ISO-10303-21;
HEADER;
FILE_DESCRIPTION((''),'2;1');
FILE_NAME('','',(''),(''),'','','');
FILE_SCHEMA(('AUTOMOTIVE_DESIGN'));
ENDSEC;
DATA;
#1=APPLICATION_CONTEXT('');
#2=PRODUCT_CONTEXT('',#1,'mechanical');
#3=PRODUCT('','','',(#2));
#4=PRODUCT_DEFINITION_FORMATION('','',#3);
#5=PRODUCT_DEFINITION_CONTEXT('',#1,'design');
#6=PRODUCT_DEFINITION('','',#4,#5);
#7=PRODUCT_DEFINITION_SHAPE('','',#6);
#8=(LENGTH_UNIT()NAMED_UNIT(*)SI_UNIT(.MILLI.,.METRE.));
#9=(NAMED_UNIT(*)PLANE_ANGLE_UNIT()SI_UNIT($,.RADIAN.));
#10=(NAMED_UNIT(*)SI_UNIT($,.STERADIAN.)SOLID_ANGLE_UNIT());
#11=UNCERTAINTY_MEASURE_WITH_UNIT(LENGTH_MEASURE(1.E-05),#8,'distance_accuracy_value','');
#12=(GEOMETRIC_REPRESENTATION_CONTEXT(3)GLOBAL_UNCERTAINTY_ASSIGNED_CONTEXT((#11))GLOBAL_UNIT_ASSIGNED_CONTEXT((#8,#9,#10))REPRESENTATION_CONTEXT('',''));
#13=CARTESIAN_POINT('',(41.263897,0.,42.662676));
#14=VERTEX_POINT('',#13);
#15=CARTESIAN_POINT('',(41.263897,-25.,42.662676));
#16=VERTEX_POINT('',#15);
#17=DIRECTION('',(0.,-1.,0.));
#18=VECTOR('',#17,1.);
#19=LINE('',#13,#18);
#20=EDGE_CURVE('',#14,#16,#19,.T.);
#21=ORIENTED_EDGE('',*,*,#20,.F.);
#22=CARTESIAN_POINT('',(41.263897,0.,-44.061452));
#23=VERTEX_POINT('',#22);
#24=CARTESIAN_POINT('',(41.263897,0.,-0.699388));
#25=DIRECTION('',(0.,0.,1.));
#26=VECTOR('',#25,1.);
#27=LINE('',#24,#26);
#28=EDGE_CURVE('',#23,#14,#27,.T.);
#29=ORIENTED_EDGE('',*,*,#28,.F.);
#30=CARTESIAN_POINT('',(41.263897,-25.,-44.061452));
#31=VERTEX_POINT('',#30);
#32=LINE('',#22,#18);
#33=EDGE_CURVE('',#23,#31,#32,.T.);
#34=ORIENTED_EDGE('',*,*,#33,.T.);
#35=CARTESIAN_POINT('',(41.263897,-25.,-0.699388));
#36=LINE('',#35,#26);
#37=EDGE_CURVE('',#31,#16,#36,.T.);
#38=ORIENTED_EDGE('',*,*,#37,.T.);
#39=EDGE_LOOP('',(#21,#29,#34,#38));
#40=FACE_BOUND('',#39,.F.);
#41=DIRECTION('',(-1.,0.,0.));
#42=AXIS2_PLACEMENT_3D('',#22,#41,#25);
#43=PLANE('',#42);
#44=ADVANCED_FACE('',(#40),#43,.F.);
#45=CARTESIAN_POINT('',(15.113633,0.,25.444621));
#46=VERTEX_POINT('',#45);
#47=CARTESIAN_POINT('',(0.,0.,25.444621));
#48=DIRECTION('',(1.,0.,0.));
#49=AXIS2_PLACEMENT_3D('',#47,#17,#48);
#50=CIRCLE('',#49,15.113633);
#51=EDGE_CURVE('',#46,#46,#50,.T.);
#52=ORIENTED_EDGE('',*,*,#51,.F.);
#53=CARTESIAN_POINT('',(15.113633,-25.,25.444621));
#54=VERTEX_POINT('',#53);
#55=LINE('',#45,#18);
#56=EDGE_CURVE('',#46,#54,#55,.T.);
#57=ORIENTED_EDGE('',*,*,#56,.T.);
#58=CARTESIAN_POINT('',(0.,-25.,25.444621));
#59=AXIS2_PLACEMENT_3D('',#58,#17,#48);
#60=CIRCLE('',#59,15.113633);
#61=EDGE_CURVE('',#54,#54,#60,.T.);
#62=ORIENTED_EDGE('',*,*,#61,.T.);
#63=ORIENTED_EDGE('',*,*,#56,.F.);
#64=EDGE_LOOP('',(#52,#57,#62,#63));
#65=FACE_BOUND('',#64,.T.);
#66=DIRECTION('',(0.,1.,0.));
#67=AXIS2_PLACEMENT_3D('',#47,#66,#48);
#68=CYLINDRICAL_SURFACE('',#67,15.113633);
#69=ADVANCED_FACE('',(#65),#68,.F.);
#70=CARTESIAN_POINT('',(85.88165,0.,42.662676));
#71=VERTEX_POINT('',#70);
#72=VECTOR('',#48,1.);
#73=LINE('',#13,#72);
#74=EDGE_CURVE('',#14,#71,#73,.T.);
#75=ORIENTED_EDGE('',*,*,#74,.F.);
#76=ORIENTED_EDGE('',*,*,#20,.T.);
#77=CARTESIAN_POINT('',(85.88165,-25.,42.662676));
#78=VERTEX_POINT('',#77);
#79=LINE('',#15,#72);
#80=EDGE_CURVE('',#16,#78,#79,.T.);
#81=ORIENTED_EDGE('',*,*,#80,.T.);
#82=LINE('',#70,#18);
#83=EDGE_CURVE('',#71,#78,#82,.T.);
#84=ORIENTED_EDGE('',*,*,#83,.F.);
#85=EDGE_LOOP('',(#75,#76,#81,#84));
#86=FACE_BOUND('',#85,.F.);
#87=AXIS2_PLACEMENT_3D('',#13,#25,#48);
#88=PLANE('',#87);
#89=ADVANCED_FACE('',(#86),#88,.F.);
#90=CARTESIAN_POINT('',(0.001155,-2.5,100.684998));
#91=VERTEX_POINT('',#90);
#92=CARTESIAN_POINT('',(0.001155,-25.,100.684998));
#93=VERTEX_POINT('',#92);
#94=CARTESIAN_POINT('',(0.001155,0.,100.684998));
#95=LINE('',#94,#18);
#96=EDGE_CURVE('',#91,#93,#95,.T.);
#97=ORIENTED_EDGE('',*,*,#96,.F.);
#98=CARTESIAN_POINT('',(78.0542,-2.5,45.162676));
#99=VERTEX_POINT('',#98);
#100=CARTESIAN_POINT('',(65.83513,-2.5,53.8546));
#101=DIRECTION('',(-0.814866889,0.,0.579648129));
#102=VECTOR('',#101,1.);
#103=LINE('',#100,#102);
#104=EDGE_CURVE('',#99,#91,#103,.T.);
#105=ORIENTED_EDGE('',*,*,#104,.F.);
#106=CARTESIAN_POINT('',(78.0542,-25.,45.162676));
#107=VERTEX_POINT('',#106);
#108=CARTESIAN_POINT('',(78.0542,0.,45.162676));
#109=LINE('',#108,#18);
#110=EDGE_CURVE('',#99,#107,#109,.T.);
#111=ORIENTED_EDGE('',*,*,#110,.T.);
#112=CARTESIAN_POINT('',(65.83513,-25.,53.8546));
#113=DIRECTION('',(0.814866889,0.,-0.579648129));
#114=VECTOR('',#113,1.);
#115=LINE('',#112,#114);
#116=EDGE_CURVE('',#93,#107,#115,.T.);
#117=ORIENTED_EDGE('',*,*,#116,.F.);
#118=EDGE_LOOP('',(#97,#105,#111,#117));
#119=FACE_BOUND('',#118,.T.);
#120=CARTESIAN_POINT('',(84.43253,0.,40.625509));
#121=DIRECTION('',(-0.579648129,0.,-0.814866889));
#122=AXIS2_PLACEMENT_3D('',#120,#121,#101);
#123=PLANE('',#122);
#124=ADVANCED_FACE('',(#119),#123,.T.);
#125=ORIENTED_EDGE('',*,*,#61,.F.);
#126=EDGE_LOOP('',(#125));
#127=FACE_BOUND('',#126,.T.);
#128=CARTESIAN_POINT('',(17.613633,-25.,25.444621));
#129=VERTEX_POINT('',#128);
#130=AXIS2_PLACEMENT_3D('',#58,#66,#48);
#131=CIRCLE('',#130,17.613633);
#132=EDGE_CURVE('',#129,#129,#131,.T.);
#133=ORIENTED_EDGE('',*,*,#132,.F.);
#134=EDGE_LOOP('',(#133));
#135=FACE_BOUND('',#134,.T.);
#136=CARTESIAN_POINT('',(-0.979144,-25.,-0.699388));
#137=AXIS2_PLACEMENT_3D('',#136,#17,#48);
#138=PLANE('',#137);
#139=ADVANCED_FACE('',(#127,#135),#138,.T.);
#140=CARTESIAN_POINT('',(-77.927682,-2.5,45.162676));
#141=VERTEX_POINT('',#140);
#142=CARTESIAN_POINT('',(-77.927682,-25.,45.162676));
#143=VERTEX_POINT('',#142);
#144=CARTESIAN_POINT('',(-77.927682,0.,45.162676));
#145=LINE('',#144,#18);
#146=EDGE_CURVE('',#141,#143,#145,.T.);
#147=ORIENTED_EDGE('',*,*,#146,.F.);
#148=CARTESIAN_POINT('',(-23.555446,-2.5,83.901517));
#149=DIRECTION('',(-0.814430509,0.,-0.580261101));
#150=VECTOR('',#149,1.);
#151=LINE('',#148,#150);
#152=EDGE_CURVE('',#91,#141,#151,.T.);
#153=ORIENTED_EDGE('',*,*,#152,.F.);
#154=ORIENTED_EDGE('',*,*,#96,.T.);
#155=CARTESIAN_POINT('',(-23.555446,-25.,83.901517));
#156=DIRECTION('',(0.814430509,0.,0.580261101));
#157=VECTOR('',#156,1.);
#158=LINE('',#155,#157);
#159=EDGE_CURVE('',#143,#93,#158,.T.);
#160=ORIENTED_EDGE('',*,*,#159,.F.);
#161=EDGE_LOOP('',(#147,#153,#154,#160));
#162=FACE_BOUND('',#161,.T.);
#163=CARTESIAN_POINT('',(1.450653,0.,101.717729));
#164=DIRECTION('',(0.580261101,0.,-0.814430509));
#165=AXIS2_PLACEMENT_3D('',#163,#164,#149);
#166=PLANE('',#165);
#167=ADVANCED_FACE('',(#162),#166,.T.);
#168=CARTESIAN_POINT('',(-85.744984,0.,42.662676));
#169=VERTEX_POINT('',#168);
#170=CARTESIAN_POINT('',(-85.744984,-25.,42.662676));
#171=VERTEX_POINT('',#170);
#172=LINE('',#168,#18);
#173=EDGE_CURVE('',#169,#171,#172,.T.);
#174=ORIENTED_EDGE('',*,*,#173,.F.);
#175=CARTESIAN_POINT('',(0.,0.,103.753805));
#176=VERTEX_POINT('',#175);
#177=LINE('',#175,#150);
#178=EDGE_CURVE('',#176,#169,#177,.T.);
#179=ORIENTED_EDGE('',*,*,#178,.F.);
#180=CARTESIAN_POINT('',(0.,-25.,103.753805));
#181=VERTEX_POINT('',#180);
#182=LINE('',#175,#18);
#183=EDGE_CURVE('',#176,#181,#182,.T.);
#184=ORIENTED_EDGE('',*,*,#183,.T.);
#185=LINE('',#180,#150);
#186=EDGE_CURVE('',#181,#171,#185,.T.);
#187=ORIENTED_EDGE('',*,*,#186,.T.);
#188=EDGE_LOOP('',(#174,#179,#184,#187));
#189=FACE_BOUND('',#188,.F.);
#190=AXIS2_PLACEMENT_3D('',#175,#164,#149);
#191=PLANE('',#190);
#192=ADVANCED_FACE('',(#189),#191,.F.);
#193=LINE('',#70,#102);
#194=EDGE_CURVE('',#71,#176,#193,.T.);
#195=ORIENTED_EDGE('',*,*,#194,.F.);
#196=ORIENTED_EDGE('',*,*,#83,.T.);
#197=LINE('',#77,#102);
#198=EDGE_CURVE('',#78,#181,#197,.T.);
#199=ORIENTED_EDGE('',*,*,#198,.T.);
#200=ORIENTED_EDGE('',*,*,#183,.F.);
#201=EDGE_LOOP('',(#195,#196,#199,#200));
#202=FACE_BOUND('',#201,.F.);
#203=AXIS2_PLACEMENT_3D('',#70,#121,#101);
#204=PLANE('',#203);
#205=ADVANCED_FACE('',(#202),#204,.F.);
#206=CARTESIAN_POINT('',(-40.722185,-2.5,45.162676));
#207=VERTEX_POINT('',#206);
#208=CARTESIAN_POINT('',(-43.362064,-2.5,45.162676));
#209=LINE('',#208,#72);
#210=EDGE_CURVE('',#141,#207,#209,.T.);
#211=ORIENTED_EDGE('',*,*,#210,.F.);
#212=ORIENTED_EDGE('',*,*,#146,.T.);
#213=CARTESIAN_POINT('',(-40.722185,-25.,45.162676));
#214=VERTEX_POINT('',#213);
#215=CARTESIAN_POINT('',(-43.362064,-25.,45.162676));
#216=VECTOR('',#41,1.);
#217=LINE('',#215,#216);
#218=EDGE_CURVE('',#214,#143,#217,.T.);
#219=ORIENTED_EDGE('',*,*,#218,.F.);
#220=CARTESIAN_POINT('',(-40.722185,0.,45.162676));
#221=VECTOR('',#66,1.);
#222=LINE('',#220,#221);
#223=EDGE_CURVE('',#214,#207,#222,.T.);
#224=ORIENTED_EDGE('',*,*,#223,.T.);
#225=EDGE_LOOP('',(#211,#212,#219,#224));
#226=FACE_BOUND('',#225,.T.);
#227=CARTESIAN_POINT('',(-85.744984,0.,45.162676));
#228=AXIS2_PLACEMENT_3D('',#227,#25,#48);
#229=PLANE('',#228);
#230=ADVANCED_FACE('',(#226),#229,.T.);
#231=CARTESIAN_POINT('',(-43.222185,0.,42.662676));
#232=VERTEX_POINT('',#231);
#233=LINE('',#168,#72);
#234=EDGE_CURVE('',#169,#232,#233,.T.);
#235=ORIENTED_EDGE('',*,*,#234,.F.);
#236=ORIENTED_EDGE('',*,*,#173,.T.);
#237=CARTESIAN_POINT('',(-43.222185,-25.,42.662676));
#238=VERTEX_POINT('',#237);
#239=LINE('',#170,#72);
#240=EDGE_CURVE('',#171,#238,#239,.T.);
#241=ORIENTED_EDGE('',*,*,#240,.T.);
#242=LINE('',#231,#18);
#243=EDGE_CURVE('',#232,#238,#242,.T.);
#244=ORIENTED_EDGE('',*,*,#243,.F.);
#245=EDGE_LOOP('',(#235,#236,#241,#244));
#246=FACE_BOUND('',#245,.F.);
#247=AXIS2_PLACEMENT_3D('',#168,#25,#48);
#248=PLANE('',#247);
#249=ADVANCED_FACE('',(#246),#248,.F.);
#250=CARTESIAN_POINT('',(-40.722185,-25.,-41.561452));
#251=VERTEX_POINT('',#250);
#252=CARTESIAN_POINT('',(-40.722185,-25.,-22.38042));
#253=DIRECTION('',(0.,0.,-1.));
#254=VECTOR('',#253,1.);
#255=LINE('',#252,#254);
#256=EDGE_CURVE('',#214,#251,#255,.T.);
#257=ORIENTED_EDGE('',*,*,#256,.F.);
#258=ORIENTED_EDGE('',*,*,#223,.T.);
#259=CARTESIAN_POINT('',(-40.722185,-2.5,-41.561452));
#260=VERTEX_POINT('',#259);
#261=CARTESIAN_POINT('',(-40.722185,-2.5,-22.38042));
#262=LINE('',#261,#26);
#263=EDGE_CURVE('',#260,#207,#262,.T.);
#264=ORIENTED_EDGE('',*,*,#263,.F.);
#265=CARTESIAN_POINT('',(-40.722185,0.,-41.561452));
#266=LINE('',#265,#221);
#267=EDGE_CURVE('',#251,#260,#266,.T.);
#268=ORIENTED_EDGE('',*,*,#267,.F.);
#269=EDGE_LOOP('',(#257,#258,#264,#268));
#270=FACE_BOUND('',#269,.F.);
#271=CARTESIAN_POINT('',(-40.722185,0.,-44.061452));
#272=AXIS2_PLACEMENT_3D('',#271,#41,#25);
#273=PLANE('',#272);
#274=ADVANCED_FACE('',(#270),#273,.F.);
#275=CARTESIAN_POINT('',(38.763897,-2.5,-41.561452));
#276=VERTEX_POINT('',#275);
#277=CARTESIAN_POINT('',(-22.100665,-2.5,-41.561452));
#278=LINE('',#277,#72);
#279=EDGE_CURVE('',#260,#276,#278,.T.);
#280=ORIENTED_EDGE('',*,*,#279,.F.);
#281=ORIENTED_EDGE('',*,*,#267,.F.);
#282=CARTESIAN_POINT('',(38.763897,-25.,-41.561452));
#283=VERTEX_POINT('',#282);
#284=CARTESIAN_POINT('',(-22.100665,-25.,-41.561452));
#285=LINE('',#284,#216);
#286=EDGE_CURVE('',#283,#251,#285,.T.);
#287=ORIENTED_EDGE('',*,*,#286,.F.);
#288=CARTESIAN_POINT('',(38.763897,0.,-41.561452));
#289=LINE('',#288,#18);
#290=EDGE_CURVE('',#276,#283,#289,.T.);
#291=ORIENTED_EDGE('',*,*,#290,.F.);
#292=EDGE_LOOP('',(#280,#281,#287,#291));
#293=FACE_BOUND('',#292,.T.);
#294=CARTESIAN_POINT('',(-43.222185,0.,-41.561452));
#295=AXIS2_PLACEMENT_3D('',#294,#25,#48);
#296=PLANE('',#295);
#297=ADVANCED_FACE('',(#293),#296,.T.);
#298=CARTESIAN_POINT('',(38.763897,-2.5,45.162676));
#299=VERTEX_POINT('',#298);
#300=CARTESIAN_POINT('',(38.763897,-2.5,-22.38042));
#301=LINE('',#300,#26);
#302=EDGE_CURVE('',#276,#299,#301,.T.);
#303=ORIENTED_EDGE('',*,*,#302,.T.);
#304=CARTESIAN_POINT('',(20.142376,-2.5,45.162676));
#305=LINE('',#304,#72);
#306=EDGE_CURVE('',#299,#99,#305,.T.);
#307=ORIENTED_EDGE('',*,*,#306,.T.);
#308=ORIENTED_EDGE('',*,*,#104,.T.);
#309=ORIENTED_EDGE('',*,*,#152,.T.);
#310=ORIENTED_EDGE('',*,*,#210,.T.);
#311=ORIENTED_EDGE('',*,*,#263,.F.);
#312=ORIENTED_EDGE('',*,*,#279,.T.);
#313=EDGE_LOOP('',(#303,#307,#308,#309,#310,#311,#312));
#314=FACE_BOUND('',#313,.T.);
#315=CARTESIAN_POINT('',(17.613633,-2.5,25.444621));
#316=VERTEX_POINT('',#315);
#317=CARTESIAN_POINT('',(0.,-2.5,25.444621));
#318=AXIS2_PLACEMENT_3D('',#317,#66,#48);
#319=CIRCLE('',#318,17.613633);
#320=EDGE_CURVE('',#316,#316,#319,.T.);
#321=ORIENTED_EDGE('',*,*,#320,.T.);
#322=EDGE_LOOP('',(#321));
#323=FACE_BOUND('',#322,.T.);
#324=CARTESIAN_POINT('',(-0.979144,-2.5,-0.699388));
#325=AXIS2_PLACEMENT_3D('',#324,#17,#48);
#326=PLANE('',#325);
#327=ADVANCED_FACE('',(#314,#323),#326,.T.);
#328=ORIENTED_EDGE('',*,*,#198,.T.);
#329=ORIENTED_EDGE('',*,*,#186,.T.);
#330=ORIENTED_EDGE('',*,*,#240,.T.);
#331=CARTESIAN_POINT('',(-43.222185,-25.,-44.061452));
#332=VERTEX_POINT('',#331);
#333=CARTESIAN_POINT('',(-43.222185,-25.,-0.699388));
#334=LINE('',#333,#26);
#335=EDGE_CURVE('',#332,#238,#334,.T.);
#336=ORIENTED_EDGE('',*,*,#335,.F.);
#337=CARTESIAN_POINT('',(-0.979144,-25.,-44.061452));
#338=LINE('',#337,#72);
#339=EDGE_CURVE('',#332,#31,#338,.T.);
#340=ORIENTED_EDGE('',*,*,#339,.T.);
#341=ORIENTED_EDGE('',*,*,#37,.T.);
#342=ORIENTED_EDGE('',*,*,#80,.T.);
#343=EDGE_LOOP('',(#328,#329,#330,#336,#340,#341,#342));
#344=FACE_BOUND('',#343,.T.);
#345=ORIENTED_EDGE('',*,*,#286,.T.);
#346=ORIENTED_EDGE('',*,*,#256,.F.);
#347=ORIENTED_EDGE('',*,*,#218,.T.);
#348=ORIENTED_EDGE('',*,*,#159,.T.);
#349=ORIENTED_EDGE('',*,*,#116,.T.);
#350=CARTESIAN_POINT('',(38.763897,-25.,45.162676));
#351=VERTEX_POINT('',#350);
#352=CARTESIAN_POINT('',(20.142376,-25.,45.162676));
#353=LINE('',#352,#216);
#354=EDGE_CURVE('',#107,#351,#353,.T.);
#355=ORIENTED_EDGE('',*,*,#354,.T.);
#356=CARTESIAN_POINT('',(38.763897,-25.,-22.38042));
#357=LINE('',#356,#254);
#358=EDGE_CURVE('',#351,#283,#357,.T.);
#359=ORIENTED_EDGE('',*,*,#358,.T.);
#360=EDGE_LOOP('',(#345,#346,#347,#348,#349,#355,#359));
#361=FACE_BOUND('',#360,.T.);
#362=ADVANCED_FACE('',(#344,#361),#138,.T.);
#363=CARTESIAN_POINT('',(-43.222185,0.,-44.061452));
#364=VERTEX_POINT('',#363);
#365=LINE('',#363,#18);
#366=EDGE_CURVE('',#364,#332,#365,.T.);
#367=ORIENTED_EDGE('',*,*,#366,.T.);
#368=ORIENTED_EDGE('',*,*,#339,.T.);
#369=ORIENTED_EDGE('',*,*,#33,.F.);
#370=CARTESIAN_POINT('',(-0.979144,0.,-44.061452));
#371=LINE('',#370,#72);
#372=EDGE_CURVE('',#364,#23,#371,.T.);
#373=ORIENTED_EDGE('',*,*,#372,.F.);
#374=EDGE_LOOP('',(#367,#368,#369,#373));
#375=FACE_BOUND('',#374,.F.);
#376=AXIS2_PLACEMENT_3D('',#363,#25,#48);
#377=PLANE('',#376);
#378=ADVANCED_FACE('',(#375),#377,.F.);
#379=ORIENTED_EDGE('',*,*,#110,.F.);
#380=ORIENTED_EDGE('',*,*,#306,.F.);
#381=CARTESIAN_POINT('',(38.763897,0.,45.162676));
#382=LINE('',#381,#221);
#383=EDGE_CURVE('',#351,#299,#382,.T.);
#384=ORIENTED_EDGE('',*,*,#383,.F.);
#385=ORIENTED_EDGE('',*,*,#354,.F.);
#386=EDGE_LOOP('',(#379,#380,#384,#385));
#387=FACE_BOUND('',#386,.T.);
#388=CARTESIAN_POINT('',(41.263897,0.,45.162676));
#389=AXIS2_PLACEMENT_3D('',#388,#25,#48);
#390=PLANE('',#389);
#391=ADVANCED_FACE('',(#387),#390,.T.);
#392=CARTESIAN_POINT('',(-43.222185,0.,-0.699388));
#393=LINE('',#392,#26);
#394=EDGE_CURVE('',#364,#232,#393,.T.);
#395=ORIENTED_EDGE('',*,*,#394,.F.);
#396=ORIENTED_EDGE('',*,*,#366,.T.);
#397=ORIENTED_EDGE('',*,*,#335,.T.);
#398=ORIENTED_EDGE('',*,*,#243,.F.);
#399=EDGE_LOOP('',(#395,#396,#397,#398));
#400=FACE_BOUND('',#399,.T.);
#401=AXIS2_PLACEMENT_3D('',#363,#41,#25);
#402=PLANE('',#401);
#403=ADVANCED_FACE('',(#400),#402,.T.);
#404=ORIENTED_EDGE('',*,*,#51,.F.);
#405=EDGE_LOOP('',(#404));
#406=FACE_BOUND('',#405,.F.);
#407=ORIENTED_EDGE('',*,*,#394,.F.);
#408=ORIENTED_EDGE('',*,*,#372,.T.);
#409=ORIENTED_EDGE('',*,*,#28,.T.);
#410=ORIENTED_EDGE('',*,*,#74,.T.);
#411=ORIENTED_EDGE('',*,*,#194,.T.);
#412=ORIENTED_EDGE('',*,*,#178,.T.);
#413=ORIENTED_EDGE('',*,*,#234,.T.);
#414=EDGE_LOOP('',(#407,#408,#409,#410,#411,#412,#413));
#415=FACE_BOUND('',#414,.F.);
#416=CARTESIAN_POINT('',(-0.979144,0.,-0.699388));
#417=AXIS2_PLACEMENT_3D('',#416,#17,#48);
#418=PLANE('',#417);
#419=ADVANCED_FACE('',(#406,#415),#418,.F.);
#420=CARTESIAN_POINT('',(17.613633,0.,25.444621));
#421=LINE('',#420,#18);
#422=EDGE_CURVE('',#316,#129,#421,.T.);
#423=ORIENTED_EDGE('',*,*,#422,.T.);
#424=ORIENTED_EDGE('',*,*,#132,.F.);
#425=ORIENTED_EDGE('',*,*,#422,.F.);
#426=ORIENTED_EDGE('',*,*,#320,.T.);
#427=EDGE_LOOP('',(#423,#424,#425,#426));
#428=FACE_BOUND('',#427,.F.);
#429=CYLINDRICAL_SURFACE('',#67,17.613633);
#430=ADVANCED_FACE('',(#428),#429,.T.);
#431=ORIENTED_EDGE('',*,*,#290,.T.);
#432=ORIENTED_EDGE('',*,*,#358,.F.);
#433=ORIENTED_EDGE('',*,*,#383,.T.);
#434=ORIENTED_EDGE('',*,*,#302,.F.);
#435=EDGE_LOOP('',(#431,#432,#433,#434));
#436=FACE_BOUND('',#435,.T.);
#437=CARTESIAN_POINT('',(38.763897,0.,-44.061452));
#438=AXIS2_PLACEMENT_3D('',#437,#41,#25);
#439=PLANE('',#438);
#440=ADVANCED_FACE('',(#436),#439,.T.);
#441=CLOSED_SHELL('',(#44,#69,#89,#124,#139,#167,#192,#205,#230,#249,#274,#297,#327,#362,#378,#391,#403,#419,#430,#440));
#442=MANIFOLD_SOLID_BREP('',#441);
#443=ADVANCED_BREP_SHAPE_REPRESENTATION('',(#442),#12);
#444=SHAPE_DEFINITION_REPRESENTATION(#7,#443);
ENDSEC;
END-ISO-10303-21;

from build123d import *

# Parameters (mm, degrees)
F0_W     = 84.4860821962
F0_H     = 86.7241285741
F0_R     = 15.1136325876
F1_DEPTH = 25
F2_T     = -2.5


with BuildPart() as f1:
    # F0 (on Front) → F1 (new body)
    with BuildSketch(Plane.XZ):
        with Locations((-0.9791441262, -0.6993878633)):
            Rectangle(F0_W, F0_H)
        with Locations((0, 25.4446212202)):
            Circle(F0_R, mode=Mode.SUBTRACT)
        Polygon((-43.2221852243, 42.6626764238), (41.2638969719, 42.6626764238), (85.8816504478, 42.6626764238), (0, 103.7538051605), (-85.744984448, 42.6626764238), align=None)
    extrude(amount=F1_DEPTH)

    # F2
    f2_openings = [f1.faces().sort_by_distance(p)[0] for p in [
        (-0.979144, -25, -41.79639),
    ]]
    offset(amount=F2_T, openings=f2_openings, kind=Kind.INTERSECTION)


solid = f1.part
